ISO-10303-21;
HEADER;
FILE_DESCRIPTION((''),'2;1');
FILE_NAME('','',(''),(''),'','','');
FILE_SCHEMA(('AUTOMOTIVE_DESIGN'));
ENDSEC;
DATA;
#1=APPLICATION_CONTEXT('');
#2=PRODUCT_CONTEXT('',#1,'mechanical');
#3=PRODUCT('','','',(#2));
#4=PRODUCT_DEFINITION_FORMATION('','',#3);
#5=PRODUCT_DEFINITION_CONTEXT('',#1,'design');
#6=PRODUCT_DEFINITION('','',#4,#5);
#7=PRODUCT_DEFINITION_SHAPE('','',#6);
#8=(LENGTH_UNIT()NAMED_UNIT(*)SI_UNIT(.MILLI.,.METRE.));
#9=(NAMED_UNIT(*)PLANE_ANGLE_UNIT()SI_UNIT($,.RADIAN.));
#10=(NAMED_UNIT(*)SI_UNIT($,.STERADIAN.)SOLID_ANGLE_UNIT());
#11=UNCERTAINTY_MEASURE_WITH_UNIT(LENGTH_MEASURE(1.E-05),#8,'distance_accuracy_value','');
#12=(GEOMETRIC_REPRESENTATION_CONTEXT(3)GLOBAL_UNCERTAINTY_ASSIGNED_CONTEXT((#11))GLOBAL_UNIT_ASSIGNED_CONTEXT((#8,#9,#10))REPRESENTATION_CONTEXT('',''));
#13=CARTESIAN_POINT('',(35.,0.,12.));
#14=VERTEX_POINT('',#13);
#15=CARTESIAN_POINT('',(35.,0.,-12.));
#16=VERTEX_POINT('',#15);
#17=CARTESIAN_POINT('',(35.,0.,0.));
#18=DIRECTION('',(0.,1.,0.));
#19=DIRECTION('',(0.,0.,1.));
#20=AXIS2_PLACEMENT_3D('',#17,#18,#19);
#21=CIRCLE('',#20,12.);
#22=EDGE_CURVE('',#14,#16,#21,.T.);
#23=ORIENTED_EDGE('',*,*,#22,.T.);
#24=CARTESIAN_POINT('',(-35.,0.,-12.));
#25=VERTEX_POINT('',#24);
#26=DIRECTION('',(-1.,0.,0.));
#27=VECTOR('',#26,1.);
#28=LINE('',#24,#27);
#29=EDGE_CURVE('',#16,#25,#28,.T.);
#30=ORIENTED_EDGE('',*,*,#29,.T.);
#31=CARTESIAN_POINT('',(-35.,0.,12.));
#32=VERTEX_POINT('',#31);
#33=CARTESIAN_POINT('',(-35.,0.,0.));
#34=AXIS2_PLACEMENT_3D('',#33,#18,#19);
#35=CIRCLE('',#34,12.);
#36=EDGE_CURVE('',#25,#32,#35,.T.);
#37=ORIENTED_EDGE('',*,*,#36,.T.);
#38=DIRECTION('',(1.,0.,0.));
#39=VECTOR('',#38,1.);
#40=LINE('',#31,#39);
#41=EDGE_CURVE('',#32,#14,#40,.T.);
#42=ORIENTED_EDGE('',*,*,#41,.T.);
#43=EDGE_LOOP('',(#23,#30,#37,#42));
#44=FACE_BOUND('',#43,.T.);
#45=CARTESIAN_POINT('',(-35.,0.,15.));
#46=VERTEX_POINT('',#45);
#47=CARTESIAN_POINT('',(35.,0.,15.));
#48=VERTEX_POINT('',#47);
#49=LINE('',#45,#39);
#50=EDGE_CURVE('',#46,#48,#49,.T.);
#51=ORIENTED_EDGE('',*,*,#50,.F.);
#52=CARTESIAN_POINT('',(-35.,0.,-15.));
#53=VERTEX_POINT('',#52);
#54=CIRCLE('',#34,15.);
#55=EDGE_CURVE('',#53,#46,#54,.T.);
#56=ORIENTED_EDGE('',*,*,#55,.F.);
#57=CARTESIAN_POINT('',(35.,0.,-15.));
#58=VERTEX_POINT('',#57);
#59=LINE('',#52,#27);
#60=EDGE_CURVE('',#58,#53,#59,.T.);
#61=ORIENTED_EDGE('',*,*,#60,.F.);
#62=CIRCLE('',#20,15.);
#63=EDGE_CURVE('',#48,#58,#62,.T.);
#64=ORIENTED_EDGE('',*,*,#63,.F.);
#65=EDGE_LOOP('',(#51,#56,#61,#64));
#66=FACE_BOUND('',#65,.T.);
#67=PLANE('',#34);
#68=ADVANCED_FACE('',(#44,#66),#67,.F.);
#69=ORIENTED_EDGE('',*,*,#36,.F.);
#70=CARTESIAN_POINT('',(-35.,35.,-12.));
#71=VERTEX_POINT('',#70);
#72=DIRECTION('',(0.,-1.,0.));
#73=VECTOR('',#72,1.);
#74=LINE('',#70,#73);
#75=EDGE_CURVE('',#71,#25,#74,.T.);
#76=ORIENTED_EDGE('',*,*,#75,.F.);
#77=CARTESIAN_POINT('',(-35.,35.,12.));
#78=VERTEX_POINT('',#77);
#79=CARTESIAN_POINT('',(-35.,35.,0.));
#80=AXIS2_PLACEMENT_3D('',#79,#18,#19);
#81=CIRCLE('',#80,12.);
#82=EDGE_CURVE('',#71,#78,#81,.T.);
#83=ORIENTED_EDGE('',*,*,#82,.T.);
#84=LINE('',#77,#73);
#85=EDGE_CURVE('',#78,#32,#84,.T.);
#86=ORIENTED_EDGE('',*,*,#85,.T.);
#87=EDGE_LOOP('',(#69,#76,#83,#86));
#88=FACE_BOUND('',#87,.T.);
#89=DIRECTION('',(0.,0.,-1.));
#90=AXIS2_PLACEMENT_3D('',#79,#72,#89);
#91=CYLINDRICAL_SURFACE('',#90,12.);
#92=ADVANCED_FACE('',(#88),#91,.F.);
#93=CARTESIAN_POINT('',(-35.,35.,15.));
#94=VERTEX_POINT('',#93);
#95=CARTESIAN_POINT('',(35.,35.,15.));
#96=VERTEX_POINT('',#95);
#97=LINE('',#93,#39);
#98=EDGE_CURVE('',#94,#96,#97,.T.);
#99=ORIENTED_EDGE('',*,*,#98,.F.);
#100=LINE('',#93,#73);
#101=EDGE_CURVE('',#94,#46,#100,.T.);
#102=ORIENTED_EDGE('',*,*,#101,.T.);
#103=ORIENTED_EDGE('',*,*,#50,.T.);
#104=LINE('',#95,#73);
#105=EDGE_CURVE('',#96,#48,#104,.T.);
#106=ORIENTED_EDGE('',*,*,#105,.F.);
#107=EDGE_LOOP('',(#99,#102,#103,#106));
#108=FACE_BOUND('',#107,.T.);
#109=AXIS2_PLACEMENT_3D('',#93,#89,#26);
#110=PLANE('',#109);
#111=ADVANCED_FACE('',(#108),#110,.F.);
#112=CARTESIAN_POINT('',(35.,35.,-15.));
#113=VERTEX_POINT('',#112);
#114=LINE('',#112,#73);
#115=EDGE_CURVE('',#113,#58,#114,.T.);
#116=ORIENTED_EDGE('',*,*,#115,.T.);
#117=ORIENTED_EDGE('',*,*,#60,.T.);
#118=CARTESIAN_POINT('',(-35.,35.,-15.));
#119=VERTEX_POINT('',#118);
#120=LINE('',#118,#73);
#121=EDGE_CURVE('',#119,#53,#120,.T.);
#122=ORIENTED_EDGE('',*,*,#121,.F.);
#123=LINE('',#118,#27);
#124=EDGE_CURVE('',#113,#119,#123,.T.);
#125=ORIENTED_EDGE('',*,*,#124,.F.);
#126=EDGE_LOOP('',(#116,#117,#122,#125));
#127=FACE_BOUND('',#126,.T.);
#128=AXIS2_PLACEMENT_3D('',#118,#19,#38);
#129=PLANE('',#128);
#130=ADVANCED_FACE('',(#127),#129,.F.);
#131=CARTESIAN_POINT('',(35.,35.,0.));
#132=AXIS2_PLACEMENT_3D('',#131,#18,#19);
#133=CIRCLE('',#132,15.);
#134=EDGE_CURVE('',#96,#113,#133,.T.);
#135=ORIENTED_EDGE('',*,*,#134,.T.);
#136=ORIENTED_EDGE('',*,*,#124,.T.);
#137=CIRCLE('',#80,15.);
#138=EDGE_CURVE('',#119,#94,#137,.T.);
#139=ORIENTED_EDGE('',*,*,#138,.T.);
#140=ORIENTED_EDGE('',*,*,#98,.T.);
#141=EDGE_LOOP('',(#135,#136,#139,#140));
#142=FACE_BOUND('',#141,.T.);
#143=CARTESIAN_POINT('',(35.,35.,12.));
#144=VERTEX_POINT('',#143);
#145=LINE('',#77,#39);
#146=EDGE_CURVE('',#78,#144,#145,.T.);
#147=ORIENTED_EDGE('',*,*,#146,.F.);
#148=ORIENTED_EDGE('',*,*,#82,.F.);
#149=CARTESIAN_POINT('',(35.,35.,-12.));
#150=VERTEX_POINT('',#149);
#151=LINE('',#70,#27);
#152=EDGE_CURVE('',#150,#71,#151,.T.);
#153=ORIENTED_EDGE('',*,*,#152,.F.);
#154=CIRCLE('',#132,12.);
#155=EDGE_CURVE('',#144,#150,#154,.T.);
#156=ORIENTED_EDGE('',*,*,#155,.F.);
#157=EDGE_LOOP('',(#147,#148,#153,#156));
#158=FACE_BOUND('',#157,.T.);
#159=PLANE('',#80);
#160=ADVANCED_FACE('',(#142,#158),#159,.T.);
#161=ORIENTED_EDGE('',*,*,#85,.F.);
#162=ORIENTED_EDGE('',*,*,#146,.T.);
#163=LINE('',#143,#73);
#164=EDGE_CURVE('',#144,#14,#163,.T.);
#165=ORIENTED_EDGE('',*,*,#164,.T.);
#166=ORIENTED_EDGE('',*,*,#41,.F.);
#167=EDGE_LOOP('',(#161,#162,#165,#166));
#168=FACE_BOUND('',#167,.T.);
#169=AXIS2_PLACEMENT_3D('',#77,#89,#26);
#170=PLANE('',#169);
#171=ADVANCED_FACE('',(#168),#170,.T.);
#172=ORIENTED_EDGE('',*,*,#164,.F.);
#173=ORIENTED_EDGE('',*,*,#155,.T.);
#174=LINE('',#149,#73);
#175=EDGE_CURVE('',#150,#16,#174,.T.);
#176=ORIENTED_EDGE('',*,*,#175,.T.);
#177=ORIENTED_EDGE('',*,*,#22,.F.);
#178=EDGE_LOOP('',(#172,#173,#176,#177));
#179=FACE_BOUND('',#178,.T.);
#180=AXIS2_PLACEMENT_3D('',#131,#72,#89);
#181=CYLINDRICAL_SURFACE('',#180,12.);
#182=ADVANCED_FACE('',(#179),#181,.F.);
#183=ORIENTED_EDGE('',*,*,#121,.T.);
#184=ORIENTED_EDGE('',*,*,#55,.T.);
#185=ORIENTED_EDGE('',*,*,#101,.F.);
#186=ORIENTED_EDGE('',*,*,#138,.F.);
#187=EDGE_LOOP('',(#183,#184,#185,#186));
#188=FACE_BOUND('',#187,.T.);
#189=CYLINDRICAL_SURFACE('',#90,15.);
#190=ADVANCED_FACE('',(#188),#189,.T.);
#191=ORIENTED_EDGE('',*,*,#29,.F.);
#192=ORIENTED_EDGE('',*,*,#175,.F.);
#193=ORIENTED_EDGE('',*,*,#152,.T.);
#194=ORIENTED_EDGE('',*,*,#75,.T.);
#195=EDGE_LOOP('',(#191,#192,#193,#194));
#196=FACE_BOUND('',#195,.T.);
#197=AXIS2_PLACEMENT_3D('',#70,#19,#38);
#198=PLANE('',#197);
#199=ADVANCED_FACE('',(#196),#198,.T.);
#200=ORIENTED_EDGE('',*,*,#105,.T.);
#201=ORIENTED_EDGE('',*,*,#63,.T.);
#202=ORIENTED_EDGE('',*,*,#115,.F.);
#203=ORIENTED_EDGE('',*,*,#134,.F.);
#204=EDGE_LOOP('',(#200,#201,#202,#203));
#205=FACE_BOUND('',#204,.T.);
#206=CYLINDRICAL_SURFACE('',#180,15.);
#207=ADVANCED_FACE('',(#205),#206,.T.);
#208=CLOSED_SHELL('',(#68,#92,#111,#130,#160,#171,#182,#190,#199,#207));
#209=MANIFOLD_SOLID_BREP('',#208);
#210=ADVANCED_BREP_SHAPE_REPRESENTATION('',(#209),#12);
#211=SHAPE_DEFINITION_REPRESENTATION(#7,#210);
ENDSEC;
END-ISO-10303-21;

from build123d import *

# Parameters (mm, degrees)
BOSS_EXTRUDE1_DEPTH = 35


with BuildPart() as part:
    # Sketch1 → Boss-Extrude1 (new body)
    with BuildSketch(Plane(origin=(0, 0, 0), x_dir=(1, 0, 0), z_dir=(0, 1, 0))):
        with BuildLine():
            Line((-35, 15), (35, 15))
            ThreePointArc((35, 15), (50, 0), (35, -15))
            Line((35, -15), (-35, -15))
            ThreePointArc((-35, -15), (-50, 0), (-35, 15))
        make_face()
        with BuildLine():
            Line((-35, 12), (35, 12))
            ThreePointArc((35, 12), (47, 0), (35, -12))
            Line((35, -12), (-35, -12))
            ThreePointArc((-35, -12), (-47, 0), (-35, 12))
        make_face(mode=Mode.SUBTRACT)
    extrude(amount=BOSS_EXTRUDE1_DEPTH)


solid = part.part
